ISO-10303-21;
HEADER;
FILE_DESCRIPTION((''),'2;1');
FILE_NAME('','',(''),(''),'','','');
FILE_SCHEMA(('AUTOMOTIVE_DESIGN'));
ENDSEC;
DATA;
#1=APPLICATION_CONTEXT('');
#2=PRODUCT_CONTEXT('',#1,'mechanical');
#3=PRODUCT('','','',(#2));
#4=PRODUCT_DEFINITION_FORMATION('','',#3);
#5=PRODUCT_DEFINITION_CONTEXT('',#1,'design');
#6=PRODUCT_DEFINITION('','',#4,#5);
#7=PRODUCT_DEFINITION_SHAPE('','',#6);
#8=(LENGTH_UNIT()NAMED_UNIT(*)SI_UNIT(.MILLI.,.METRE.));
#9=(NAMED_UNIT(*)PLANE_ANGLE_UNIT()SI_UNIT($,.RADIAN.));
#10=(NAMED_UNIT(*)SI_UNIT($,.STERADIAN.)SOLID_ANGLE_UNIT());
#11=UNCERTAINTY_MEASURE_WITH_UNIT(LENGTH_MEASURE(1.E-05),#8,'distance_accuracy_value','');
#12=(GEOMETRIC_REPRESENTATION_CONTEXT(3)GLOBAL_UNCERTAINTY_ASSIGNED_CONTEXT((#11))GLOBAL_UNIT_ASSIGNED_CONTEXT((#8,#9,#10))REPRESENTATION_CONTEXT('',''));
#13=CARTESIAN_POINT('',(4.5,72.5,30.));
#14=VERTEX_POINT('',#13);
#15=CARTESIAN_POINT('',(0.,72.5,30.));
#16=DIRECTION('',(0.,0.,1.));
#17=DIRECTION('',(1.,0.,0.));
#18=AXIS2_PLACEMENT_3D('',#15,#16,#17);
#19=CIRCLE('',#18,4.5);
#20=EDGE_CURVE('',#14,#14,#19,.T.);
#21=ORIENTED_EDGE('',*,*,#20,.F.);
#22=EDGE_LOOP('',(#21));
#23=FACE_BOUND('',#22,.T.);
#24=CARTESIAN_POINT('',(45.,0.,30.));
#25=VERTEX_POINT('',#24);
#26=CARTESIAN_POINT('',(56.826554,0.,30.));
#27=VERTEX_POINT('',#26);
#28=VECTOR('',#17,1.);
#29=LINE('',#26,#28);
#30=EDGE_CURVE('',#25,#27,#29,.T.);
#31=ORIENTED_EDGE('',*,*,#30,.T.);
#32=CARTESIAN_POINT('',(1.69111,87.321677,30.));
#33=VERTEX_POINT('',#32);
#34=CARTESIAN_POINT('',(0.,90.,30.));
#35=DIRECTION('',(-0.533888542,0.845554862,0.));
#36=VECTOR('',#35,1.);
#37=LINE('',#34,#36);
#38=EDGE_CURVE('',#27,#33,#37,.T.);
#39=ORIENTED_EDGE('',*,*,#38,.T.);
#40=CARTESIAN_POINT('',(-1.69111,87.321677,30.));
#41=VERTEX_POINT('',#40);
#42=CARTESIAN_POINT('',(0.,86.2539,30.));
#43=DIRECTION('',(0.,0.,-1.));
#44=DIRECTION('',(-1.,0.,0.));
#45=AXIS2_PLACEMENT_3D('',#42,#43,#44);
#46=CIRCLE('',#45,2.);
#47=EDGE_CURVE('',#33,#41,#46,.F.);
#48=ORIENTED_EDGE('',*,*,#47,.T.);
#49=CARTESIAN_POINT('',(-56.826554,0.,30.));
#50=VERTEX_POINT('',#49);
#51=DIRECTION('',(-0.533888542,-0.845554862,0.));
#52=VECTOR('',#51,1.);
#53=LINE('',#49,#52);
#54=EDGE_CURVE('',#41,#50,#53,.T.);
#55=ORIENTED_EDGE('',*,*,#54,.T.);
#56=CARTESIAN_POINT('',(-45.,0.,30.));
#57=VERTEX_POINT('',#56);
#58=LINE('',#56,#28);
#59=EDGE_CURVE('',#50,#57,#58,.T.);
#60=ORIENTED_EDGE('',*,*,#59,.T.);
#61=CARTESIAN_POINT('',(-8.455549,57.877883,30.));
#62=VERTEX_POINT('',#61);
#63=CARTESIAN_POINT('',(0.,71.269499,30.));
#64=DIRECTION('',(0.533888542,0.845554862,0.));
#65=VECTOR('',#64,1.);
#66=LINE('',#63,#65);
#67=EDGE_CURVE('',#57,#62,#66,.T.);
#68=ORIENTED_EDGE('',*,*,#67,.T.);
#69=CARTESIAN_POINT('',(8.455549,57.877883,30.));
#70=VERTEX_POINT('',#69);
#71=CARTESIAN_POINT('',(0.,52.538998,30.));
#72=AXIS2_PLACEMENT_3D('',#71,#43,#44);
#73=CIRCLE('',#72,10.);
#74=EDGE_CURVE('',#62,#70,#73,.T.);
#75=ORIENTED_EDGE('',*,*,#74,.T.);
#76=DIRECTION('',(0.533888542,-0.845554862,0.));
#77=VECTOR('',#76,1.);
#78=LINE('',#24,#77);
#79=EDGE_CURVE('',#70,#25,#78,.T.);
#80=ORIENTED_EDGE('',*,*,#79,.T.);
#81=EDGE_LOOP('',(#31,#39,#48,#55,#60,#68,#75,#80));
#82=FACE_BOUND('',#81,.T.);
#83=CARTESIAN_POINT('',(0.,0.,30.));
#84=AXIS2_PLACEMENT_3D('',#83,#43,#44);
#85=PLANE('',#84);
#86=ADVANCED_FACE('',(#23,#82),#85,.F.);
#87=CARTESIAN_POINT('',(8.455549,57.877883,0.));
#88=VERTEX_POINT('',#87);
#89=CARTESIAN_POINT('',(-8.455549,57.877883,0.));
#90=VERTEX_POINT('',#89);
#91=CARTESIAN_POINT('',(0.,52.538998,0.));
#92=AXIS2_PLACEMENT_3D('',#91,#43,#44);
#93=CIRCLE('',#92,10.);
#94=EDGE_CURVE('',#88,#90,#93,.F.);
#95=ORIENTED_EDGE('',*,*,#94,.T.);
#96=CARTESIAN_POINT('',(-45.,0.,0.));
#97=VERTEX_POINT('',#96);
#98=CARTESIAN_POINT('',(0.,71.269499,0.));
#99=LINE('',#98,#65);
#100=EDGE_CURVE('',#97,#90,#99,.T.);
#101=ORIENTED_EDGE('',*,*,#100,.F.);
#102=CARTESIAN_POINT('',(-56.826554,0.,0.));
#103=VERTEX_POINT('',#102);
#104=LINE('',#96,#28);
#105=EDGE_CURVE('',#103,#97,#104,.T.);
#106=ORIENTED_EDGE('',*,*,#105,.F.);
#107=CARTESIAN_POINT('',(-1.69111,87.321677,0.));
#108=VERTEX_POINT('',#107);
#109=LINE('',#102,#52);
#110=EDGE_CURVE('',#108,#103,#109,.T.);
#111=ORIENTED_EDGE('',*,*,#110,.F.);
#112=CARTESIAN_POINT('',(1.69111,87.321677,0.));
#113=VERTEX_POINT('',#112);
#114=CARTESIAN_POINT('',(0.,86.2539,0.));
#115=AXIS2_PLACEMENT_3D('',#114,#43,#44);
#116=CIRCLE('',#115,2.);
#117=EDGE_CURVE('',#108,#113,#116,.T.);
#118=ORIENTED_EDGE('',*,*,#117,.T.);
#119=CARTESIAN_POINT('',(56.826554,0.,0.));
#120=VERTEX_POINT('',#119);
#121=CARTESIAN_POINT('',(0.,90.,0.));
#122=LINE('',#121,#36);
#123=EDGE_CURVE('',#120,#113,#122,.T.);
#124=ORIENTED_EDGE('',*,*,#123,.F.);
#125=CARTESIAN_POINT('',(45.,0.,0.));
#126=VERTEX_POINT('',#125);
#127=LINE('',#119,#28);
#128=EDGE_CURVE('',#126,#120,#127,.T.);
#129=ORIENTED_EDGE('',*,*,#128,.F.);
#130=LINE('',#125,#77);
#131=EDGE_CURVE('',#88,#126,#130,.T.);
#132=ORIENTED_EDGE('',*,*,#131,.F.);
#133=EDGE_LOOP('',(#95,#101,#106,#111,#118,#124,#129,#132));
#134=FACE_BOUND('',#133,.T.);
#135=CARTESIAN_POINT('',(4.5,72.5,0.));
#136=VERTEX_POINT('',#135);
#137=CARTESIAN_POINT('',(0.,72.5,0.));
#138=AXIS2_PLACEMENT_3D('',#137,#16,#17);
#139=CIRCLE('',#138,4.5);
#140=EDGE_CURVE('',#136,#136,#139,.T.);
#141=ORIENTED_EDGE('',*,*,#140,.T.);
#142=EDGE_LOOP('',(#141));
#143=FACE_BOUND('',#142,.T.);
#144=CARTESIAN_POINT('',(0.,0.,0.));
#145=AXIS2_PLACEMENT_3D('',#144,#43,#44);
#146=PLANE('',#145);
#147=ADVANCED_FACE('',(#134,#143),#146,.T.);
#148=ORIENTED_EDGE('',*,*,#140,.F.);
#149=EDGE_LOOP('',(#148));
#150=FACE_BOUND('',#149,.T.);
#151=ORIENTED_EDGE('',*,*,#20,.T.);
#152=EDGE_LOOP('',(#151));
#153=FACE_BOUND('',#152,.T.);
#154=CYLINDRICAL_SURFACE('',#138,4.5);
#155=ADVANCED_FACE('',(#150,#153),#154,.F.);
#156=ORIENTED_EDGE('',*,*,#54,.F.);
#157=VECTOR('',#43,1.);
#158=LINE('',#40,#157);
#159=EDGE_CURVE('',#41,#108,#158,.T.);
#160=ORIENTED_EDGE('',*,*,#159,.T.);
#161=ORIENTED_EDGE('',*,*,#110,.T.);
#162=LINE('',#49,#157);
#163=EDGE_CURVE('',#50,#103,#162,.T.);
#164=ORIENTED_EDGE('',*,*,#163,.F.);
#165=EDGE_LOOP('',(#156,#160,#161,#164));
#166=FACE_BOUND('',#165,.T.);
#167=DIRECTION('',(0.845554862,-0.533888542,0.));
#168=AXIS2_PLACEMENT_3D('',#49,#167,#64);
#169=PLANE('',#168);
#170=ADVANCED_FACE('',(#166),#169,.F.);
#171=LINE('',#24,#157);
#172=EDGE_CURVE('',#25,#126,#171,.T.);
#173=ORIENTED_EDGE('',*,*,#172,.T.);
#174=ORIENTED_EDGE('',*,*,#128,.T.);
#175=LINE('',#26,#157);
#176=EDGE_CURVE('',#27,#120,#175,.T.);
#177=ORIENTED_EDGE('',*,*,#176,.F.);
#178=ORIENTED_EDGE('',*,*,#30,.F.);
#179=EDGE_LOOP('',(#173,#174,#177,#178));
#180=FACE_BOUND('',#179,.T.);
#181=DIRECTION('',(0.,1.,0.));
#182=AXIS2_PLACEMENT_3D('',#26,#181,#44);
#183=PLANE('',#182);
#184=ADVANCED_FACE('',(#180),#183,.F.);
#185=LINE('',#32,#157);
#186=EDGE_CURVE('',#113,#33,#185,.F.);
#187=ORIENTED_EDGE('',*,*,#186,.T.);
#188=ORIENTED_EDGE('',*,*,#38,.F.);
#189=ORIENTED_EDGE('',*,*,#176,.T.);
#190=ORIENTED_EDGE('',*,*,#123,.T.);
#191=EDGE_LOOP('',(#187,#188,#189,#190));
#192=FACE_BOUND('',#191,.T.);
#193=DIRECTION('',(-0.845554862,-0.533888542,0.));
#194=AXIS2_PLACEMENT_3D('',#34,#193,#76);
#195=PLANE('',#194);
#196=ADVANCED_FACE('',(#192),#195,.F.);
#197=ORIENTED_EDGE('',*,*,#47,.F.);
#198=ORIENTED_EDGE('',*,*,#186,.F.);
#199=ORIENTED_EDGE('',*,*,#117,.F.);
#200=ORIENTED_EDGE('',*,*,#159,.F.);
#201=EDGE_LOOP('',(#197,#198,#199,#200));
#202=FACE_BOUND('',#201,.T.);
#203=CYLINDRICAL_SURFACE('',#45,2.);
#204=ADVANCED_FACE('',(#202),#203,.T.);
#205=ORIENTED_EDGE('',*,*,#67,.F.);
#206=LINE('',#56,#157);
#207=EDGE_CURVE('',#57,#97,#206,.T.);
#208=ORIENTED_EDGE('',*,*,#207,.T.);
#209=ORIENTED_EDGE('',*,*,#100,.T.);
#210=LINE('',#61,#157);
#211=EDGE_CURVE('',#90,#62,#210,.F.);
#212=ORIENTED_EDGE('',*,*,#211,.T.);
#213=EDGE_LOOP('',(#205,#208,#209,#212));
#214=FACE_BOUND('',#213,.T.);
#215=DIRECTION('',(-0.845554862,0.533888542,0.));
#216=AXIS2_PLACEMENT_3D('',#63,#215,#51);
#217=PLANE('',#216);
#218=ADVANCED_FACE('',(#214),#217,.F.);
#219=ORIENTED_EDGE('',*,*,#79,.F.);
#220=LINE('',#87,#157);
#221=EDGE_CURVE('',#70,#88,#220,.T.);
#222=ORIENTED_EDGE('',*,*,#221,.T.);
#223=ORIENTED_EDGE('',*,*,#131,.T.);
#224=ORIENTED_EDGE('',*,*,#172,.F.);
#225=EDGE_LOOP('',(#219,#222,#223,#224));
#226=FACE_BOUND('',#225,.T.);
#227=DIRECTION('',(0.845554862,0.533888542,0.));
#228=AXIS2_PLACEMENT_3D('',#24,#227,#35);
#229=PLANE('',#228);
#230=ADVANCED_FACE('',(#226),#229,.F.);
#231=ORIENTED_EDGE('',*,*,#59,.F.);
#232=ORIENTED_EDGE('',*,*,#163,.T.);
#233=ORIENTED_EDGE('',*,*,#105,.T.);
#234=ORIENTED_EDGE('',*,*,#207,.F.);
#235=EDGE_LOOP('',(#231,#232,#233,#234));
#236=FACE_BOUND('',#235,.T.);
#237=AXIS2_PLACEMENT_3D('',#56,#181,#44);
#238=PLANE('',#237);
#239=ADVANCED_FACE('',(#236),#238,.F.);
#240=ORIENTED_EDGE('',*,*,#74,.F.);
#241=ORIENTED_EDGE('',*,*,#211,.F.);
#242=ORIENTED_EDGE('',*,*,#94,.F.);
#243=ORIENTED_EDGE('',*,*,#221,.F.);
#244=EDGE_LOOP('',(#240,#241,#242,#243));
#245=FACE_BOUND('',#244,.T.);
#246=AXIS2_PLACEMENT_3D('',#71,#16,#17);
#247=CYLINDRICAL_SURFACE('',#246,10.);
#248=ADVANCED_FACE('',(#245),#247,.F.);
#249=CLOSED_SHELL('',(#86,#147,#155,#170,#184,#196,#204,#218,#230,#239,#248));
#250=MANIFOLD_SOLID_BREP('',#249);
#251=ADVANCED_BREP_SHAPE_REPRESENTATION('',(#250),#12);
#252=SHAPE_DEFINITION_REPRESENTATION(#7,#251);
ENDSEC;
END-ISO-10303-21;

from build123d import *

# Parameters (mm, degrees)
BOSS_EXTRUDE1_DEPTH = 30
FILLET1_R           = 2
FILLET2_R           = 10
SKETCH2_R           = 4.5
CUT_EXTRUDE1_DEPTH  = 31


with BuildPart() as part:
    # Sketch1 → Boss-Extrude1 (new body)
    with BuildSketch(Plane.XY):
        Polygon((-56.826553722, 0), (0, 90), (56.826553722, 0), (45, 0), (0, 71.26949876), (-45, 0), align=None)
    extrude(amount=BOSS_EXTRUDE1_DEPTH)

    # Fillet1
    fillet1_edges = [part.edges().sort_by_distance(p)[0] for p in [
        (0, 90, 15),
    ]]
    fillet(fillet1_edges, radius=FILLET1_R)

    # Fillet2
    fillet2_edges = [part.edges().sort_by_distance(p)[0] for p in [
        (0, 71.26949876, 15),
    ]]
    fillet(fillet2_edges, radius=FILLET2_R)

    # Sketch2 → Cut-Extrude1 (cut, through all)
    with BuildSketch(Plane.XY.offset(30)):
        with Locations((0, 72.5)):
            Circle(SKETCH2_R)
    extrude(amount=-CUT_EXTRUDE1_DEPTH, mode=Mode.SUBTRACT)


solid = part.part
